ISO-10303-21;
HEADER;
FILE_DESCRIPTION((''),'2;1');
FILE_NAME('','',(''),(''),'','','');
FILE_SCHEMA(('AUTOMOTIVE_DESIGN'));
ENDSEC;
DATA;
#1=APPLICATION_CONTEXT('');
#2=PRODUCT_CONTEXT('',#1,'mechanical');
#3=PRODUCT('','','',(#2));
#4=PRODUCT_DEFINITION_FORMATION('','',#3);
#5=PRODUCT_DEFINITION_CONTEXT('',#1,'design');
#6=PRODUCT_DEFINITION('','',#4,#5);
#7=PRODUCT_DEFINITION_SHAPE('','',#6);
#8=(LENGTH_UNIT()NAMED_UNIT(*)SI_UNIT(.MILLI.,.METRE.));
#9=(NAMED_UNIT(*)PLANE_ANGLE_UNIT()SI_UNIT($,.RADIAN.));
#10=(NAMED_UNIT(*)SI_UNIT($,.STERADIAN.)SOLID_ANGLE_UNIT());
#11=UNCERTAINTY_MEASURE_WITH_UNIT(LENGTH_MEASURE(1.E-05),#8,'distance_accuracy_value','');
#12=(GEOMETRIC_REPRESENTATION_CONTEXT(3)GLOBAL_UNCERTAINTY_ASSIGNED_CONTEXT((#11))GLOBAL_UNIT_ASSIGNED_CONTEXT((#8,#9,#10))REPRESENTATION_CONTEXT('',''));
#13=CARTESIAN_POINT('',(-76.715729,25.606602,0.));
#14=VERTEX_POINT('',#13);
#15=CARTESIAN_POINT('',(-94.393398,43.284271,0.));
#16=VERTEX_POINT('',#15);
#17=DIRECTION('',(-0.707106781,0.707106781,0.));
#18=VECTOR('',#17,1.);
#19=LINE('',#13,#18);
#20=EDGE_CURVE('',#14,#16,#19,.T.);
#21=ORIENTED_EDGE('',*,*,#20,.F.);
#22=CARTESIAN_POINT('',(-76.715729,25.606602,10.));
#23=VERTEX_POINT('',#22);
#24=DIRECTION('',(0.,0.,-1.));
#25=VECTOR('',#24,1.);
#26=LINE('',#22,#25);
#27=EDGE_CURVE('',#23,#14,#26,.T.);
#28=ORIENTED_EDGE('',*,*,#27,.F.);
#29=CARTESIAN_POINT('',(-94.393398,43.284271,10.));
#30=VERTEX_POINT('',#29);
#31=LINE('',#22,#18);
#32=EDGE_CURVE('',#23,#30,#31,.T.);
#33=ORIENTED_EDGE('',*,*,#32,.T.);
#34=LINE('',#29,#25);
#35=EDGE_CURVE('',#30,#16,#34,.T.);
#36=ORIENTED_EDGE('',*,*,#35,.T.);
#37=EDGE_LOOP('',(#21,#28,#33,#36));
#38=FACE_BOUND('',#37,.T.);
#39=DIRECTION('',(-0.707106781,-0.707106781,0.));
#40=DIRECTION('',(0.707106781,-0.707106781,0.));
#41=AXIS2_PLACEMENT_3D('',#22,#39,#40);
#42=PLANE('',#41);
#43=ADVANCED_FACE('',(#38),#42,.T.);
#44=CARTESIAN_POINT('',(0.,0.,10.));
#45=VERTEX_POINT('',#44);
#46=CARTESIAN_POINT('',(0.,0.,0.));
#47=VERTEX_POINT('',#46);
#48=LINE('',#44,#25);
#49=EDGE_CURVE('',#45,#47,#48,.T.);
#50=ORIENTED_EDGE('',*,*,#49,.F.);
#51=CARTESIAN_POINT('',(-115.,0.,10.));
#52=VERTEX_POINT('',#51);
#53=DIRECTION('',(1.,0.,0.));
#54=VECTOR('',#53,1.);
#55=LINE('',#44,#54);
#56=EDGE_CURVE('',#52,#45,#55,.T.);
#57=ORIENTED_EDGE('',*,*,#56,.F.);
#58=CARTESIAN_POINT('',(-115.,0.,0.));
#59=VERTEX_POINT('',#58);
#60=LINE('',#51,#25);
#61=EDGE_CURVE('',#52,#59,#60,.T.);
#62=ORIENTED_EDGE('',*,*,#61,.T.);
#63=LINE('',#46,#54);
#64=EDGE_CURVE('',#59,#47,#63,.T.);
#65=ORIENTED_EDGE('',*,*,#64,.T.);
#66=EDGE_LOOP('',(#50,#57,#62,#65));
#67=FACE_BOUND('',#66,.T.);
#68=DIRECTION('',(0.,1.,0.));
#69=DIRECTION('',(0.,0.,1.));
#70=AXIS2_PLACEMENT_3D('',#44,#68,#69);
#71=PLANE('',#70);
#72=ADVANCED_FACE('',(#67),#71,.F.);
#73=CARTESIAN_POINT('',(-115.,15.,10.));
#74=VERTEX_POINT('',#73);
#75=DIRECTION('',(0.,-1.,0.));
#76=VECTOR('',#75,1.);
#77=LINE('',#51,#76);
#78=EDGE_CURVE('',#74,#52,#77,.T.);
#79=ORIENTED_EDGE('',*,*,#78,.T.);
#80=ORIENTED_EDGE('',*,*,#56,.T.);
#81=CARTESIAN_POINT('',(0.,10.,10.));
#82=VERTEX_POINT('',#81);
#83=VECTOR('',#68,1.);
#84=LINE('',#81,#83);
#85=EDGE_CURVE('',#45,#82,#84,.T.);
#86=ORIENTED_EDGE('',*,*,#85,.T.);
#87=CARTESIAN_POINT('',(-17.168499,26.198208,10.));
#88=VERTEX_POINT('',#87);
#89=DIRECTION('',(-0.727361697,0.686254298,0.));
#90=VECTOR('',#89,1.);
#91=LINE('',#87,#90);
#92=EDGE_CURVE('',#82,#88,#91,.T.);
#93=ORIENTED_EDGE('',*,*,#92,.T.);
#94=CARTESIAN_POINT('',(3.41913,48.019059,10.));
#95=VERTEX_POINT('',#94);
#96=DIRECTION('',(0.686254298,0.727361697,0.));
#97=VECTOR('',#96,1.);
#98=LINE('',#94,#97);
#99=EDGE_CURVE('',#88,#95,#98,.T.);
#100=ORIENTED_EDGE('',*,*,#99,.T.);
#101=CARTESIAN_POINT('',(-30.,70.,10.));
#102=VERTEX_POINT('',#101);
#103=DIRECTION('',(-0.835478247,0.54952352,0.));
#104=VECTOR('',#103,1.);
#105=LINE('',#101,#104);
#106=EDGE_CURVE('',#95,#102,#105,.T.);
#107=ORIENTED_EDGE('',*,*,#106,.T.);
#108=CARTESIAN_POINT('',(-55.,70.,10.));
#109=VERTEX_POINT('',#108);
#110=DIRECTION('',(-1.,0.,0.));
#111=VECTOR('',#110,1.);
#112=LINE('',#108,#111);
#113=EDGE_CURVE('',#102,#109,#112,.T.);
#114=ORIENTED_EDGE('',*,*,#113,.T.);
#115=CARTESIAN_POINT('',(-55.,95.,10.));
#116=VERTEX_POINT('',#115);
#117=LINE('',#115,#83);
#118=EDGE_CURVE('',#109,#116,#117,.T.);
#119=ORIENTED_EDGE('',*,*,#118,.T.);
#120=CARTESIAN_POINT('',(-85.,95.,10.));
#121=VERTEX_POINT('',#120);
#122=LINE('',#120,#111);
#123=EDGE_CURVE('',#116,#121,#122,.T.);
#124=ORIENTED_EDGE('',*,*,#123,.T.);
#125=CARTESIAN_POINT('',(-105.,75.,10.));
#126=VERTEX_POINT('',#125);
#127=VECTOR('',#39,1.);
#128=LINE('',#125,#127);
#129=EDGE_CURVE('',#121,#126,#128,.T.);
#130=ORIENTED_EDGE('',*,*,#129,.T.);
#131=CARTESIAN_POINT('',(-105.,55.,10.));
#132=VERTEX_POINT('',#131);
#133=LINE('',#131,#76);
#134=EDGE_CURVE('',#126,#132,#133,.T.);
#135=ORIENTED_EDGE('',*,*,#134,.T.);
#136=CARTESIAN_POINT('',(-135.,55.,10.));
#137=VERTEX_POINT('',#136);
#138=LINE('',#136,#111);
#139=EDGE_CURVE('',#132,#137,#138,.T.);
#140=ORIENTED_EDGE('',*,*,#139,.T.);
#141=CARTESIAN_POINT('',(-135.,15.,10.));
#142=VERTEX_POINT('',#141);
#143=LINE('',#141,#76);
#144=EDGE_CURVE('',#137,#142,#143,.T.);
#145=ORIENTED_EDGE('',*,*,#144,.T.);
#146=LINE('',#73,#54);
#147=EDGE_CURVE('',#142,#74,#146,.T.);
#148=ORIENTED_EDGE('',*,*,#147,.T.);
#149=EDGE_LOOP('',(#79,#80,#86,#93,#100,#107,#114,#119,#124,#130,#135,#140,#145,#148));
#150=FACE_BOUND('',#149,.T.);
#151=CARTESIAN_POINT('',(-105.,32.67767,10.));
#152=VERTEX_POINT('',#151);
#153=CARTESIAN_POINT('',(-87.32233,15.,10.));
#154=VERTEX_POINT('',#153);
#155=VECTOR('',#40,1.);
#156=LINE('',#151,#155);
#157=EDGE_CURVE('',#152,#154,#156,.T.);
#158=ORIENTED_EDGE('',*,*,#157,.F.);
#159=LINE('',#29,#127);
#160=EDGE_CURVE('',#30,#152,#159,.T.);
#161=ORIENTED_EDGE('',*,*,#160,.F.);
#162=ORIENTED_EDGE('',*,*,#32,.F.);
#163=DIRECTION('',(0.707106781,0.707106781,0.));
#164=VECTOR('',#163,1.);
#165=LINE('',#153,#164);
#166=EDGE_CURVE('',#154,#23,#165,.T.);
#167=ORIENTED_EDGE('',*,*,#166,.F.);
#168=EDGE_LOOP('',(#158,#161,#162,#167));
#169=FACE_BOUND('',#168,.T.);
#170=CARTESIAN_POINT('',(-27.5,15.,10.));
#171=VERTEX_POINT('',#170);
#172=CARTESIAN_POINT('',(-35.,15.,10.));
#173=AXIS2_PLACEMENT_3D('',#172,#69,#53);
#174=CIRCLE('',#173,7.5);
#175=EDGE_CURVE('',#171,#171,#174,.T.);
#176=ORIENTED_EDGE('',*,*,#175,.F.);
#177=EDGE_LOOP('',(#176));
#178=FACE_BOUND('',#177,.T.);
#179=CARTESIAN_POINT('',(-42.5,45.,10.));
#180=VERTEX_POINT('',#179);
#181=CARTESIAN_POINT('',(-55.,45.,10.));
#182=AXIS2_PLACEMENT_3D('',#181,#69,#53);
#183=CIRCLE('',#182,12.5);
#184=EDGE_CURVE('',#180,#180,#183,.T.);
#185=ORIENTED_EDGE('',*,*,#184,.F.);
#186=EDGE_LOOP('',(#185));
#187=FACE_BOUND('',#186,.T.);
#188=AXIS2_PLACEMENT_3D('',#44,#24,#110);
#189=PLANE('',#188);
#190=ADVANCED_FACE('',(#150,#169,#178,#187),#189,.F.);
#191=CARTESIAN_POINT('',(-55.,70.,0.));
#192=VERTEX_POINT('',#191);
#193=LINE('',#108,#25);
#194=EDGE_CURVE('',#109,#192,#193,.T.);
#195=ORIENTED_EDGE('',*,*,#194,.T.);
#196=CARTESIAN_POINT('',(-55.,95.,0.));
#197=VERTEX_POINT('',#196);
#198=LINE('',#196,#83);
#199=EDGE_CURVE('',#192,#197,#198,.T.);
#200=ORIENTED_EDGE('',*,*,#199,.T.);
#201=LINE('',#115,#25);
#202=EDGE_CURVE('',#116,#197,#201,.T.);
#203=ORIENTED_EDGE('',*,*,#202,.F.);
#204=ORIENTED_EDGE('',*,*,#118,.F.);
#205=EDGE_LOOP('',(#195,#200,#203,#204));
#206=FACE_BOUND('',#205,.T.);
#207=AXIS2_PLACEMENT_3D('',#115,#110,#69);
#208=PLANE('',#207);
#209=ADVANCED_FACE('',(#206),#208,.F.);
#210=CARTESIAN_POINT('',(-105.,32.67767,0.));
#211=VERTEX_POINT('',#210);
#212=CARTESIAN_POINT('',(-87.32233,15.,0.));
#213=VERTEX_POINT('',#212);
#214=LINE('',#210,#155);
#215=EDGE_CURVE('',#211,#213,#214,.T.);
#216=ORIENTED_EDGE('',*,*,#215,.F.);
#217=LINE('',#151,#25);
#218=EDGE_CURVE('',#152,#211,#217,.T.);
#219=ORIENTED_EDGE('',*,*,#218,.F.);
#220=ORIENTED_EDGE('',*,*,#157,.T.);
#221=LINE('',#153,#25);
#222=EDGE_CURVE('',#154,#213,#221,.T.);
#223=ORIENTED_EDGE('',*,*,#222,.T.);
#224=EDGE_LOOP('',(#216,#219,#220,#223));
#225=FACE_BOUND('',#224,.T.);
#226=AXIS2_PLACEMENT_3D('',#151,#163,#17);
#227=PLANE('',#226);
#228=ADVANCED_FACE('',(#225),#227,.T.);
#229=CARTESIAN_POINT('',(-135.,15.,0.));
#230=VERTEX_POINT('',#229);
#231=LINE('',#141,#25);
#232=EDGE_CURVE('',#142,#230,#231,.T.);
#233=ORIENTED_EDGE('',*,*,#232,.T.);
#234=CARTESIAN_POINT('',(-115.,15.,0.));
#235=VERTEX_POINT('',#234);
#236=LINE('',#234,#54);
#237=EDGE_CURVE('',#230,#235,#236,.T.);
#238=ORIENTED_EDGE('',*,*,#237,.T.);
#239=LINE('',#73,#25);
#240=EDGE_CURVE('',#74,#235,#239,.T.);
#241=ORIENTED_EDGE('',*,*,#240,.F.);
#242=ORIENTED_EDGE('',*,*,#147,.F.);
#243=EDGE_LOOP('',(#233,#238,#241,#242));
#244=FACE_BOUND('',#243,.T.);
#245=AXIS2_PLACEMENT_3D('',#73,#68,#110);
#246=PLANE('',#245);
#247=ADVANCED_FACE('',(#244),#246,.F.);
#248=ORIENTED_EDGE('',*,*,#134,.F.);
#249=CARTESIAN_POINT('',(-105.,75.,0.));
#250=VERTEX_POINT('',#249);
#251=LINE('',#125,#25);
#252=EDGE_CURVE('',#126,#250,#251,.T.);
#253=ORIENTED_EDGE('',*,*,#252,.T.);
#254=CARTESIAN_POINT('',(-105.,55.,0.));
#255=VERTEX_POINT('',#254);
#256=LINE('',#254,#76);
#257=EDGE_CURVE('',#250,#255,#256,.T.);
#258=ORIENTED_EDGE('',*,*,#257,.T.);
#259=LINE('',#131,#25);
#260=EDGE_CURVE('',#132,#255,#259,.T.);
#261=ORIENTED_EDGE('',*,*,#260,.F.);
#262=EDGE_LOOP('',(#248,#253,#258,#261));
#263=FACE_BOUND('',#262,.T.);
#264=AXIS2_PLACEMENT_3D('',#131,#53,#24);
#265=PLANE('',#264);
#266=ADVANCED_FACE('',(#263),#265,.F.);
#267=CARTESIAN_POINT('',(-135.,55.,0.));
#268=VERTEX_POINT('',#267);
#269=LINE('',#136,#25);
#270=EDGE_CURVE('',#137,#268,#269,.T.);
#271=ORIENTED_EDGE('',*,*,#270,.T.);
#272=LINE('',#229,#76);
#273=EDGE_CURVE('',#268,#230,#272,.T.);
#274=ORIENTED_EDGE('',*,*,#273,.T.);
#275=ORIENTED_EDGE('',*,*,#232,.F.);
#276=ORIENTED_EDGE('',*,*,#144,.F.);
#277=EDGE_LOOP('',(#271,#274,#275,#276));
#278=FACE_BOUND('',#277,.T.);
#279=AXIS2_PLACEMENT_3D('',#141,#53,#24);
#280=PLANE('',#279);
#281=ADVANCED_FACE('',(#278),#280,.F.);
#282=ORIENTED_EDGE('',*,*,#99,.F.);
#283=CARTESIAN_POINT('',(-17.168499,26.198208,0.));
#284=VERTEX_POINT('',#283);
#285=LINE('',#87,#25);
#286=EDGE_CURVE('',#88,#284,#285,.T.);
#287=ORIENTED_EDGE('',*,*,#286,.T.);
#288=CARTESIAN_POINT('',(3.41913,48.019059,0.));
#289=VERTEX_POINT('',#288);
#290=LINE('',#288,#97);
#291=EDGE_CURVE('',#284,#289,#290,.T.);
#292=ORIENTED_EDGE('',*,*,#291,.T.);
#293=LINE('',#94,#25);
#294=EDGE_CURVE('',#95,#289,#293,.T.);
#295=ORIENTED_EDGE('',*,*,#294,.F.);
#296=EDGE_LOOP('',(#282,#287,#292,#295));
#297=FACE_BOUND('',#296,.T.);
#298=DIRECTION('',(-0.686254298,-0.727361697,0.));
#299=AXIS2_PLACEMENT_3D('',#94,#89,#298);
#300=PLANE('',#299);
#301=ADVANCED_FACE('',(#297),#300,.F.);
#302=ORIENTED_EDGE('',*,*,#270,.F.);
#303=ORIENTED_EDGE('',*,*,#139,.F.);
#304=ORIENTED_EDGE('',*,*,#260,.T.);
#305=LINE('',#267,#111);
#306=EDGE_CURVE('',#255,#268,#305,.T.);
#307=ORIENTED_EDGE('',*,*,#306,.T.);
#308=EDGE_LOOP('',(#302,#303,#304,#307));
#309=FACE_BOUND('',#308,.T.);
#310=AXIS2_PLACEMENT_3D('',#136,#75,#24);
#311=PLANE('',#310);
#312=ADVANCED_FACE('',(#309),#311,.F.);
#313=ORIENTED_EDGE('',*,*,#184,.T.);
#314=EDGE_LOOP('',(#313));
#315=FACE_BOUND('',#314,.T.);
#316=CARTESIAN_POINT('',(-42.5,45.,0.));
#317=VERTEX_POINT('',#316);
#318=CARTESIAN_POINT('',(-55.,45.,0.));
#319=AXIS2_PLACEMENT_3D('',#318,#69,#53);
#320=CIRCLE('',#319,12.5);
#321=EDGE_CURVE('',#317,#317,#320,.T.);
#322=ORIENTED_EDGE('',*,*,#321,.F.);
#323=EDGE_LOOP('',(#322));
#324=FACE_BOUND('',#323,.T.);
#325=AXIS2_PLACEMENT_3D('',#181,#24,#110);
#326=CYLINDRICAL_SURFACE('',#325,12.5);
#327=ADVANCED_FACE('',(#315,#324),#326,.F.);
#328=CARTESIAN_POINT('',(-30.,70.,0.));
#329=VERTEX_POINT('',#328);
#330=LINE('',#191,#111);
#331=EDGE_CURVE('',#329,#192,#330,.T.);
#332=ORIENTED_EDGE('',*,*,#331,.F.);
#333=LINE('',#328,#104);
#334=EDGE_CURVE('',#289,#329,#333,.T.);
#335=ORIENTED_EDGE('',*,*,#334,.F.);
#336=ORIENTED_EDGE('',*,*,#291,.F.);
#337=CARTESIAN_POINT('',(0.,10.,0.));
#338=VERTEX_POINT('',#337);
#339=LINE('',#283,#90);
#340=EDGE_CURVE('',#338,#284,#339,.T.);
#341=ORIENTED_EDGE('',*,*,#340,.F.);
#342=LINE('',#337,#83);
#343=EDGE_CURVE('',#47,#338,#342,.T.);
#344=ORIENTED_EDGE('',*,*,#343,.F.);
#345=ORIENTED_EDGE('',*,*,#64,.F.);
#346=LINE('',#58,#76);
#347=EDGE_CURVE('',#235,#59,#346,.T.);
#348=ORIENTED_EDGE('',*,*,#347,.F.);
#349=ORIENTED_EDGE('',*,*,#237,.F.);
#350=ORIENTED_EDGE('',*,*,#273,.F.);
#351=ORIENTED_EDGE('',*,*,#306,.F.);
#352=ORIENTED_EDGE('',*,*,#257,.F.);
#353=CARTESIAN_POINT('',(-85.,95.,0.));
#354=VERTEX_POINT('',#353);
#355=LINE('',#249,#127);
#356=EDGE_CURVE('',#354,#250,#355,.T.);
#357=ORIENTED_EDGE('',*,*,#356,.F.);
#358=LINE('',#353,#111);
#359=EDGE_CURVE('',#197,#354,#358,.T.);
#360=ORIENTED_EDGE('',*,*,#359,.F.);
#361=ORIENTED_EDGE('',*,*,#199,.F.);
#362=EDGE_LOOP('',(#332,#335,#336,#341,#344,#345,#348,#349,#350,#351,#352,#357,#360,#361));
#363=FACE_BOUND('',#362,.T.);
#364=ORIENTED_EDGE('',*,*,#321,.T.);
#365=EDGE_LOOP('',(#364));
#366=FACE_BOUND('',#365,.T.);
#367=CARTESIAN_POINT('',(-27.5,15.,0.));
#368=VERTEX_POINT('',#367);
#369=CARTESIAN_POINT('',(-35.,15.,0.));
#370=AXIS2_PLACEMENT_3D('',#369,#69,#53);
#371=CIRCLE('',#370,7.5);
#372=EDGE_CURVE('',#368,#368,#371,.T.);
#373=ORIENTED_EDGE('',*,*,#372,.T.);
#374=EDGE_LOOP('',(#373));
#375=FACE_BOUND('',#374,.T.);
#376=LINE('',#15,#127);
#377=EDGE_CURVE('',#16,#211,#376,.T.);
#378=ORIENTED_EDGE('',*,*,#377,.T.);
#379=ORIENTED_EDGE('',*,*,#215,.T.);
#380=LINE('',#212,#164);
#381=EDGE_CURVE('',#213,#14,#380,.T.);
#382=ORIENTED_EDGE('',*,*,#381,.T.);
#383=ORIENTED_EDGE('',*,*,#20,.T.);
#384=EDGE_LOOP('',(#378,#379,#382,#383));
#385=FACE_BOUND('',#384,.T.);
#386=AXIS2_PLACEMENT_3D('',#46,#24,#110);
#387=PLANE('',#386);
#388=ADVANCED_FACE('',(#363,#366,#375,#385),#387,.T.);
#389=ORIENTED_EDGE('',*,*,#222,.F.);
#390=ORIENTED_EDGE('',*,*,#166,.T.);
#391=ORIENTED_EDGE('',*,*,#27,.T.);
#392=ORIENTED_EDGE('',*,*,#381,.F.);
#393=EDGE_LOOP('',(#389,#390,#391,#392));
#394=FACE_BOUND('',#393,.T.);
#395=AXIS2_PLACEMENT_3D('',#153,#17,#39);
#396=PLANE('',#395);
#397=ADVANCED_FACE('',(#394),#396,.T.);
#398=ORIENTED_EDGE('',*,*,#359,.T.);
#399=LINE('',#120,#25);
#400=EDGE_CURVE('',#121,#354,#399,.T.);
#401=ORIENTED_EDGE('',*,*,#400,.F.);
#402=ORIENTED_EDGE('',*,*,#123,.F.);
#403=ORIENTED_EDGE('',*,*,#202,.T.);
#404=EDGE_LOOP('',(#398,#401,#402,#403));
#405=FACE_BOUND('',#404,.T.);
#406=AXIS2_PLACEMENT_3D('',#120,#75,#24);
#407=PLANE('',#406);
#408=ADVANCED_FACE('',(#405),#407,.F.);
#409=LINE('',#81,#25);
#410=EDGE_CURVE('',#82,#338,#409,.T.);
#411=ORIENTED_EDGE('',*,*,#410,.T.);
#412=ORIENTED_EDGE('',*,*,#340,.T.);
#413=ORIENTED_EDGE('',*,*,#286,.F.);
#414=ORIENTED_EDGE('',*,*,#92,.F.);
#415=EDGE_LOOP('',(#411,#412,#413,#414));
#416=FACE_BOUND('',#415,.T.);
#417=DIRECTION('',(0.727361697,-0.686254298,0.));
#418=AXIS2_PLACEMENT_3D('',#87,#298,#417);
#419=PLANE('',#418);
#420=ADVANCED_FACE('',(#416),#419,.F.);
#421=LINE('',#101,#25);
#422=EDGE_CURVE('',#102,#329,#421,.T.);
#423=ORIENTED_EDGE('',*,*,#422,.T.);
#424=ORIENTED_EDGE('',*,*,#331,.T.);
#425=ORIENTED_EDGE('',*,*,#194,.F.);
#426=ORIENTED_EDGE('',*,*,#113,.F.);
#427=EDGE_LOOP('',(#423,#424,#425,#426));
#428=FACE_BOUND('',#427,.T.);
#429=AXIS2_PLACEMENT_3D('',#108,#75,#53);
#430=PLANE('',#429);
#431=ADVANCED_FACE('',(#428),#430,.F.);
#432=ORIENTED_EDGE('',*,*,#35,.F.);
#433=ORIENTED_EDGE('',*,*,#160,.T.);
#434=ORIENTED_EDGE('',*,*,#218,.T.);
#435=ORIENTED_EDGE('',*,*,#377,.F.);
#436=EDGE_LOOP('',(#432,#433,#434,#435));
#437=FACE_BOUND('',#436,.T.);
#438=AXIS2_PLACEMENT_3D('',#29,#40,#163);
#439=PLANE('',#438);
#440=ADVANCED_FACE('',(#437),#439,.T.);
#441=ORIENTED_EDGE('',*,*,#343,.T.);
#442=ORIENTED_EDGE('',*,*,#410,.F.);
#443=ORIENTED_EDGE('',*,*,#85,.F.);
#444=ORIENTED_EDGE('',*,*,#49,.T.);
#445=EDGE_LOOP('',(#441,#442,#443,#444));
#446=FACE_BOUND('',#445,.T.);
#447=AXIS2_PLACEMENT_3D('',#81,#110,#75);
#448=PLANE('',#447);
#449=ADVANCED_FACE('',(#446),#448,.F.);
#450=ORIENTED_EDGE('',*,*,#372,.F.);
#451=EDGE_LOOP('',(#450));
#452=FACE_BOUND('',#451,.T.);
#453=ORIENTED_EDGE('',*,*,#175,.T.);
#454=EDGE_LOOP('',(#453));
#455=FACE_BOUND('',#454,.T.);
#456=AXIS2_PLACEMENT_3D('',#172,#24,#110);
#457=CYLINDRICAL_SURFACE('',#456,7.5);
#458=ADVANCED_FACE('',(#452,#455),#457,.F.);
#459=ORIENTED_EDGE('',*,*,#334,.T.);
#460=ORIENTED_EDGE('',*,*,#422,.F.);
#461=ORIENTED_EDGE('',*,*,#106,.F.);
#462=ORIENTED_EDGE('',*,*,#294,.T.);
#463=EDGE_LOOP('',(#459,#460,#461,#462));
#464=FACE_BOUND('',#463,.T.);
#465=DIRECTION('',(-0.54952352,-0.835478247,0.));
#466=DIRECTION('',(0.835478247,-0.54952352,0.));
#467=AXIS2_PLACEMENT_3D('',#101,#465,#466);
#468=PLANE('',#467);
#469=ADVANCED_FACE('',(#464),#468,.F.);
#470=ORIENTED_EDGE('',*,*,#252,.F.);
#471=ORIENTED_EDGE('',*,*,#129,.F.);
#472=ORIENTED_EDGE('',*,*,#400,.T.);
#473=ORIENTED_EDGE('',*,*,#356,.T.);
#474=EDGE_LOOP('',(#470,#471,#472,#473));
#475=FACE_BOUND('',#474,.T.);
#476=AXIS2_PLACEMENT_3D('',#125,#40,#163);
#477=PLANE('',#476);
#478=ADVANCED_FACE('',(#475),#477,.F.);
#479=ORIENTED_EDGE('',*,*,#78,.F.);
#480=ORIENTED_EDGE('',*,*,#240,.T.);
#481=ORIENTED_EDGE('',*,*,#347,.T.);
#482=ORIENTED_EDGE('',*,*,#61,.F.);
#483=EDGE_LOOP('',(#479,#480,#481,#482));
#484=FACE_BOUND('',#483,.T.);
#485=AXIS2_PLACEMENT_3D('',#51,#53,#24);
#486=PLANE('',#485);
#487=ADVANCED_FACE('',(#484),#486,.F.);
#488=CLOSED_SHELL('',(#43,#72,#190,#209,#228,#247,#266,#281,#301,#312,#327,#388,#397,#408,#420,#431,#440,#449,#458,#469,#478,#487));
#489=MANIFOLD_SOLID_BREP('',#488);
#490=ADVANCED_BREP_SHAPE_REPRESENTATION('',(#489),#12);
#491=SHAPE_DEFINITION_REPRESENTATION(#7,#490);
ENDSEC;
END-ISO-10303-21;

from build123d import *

# Parameters (mm, degrees)
CROQUIS1_R              = 12.5
CROQUIS1_R_2            = 7.5
SALIENTE_EXTRUIR1_DEPTH = 10


with BuildPart() as part:
    # Croquis1 → Saliente-Extruir1 (new body)
    with BuildSketch(Plane.XY):
        Polygon((0, 0), (-115, 0), (-115, 15), (-135, 15), (-135, 55), (-105, 55), (-105, 75), (-85, 95), (-55, 95), (-55, 70), (-30, 70), (3.419129876, 48.019059203), (-17.168499063, 26.198208287), (0, 10), align=None)
        with Locations((-55, 45)):
            Circle(CROQUIS1_R, mode=Mode.SUBTRACT)
        with Locations((-35, 15)):
            Circle(CROQUIS1_R_2, mode=Mode.SUBTRACT)
        Polygon((-105, 32.67766953), (-87.32233047, 15), (-76.715728753, 25.606601718), (-94.393398282, 43.284271247), align=None, mode=Mode.SUBTRACT)
    extrude(amount=SALIENTE_EXTRUIR1_DEPTH)


solid = part.part
